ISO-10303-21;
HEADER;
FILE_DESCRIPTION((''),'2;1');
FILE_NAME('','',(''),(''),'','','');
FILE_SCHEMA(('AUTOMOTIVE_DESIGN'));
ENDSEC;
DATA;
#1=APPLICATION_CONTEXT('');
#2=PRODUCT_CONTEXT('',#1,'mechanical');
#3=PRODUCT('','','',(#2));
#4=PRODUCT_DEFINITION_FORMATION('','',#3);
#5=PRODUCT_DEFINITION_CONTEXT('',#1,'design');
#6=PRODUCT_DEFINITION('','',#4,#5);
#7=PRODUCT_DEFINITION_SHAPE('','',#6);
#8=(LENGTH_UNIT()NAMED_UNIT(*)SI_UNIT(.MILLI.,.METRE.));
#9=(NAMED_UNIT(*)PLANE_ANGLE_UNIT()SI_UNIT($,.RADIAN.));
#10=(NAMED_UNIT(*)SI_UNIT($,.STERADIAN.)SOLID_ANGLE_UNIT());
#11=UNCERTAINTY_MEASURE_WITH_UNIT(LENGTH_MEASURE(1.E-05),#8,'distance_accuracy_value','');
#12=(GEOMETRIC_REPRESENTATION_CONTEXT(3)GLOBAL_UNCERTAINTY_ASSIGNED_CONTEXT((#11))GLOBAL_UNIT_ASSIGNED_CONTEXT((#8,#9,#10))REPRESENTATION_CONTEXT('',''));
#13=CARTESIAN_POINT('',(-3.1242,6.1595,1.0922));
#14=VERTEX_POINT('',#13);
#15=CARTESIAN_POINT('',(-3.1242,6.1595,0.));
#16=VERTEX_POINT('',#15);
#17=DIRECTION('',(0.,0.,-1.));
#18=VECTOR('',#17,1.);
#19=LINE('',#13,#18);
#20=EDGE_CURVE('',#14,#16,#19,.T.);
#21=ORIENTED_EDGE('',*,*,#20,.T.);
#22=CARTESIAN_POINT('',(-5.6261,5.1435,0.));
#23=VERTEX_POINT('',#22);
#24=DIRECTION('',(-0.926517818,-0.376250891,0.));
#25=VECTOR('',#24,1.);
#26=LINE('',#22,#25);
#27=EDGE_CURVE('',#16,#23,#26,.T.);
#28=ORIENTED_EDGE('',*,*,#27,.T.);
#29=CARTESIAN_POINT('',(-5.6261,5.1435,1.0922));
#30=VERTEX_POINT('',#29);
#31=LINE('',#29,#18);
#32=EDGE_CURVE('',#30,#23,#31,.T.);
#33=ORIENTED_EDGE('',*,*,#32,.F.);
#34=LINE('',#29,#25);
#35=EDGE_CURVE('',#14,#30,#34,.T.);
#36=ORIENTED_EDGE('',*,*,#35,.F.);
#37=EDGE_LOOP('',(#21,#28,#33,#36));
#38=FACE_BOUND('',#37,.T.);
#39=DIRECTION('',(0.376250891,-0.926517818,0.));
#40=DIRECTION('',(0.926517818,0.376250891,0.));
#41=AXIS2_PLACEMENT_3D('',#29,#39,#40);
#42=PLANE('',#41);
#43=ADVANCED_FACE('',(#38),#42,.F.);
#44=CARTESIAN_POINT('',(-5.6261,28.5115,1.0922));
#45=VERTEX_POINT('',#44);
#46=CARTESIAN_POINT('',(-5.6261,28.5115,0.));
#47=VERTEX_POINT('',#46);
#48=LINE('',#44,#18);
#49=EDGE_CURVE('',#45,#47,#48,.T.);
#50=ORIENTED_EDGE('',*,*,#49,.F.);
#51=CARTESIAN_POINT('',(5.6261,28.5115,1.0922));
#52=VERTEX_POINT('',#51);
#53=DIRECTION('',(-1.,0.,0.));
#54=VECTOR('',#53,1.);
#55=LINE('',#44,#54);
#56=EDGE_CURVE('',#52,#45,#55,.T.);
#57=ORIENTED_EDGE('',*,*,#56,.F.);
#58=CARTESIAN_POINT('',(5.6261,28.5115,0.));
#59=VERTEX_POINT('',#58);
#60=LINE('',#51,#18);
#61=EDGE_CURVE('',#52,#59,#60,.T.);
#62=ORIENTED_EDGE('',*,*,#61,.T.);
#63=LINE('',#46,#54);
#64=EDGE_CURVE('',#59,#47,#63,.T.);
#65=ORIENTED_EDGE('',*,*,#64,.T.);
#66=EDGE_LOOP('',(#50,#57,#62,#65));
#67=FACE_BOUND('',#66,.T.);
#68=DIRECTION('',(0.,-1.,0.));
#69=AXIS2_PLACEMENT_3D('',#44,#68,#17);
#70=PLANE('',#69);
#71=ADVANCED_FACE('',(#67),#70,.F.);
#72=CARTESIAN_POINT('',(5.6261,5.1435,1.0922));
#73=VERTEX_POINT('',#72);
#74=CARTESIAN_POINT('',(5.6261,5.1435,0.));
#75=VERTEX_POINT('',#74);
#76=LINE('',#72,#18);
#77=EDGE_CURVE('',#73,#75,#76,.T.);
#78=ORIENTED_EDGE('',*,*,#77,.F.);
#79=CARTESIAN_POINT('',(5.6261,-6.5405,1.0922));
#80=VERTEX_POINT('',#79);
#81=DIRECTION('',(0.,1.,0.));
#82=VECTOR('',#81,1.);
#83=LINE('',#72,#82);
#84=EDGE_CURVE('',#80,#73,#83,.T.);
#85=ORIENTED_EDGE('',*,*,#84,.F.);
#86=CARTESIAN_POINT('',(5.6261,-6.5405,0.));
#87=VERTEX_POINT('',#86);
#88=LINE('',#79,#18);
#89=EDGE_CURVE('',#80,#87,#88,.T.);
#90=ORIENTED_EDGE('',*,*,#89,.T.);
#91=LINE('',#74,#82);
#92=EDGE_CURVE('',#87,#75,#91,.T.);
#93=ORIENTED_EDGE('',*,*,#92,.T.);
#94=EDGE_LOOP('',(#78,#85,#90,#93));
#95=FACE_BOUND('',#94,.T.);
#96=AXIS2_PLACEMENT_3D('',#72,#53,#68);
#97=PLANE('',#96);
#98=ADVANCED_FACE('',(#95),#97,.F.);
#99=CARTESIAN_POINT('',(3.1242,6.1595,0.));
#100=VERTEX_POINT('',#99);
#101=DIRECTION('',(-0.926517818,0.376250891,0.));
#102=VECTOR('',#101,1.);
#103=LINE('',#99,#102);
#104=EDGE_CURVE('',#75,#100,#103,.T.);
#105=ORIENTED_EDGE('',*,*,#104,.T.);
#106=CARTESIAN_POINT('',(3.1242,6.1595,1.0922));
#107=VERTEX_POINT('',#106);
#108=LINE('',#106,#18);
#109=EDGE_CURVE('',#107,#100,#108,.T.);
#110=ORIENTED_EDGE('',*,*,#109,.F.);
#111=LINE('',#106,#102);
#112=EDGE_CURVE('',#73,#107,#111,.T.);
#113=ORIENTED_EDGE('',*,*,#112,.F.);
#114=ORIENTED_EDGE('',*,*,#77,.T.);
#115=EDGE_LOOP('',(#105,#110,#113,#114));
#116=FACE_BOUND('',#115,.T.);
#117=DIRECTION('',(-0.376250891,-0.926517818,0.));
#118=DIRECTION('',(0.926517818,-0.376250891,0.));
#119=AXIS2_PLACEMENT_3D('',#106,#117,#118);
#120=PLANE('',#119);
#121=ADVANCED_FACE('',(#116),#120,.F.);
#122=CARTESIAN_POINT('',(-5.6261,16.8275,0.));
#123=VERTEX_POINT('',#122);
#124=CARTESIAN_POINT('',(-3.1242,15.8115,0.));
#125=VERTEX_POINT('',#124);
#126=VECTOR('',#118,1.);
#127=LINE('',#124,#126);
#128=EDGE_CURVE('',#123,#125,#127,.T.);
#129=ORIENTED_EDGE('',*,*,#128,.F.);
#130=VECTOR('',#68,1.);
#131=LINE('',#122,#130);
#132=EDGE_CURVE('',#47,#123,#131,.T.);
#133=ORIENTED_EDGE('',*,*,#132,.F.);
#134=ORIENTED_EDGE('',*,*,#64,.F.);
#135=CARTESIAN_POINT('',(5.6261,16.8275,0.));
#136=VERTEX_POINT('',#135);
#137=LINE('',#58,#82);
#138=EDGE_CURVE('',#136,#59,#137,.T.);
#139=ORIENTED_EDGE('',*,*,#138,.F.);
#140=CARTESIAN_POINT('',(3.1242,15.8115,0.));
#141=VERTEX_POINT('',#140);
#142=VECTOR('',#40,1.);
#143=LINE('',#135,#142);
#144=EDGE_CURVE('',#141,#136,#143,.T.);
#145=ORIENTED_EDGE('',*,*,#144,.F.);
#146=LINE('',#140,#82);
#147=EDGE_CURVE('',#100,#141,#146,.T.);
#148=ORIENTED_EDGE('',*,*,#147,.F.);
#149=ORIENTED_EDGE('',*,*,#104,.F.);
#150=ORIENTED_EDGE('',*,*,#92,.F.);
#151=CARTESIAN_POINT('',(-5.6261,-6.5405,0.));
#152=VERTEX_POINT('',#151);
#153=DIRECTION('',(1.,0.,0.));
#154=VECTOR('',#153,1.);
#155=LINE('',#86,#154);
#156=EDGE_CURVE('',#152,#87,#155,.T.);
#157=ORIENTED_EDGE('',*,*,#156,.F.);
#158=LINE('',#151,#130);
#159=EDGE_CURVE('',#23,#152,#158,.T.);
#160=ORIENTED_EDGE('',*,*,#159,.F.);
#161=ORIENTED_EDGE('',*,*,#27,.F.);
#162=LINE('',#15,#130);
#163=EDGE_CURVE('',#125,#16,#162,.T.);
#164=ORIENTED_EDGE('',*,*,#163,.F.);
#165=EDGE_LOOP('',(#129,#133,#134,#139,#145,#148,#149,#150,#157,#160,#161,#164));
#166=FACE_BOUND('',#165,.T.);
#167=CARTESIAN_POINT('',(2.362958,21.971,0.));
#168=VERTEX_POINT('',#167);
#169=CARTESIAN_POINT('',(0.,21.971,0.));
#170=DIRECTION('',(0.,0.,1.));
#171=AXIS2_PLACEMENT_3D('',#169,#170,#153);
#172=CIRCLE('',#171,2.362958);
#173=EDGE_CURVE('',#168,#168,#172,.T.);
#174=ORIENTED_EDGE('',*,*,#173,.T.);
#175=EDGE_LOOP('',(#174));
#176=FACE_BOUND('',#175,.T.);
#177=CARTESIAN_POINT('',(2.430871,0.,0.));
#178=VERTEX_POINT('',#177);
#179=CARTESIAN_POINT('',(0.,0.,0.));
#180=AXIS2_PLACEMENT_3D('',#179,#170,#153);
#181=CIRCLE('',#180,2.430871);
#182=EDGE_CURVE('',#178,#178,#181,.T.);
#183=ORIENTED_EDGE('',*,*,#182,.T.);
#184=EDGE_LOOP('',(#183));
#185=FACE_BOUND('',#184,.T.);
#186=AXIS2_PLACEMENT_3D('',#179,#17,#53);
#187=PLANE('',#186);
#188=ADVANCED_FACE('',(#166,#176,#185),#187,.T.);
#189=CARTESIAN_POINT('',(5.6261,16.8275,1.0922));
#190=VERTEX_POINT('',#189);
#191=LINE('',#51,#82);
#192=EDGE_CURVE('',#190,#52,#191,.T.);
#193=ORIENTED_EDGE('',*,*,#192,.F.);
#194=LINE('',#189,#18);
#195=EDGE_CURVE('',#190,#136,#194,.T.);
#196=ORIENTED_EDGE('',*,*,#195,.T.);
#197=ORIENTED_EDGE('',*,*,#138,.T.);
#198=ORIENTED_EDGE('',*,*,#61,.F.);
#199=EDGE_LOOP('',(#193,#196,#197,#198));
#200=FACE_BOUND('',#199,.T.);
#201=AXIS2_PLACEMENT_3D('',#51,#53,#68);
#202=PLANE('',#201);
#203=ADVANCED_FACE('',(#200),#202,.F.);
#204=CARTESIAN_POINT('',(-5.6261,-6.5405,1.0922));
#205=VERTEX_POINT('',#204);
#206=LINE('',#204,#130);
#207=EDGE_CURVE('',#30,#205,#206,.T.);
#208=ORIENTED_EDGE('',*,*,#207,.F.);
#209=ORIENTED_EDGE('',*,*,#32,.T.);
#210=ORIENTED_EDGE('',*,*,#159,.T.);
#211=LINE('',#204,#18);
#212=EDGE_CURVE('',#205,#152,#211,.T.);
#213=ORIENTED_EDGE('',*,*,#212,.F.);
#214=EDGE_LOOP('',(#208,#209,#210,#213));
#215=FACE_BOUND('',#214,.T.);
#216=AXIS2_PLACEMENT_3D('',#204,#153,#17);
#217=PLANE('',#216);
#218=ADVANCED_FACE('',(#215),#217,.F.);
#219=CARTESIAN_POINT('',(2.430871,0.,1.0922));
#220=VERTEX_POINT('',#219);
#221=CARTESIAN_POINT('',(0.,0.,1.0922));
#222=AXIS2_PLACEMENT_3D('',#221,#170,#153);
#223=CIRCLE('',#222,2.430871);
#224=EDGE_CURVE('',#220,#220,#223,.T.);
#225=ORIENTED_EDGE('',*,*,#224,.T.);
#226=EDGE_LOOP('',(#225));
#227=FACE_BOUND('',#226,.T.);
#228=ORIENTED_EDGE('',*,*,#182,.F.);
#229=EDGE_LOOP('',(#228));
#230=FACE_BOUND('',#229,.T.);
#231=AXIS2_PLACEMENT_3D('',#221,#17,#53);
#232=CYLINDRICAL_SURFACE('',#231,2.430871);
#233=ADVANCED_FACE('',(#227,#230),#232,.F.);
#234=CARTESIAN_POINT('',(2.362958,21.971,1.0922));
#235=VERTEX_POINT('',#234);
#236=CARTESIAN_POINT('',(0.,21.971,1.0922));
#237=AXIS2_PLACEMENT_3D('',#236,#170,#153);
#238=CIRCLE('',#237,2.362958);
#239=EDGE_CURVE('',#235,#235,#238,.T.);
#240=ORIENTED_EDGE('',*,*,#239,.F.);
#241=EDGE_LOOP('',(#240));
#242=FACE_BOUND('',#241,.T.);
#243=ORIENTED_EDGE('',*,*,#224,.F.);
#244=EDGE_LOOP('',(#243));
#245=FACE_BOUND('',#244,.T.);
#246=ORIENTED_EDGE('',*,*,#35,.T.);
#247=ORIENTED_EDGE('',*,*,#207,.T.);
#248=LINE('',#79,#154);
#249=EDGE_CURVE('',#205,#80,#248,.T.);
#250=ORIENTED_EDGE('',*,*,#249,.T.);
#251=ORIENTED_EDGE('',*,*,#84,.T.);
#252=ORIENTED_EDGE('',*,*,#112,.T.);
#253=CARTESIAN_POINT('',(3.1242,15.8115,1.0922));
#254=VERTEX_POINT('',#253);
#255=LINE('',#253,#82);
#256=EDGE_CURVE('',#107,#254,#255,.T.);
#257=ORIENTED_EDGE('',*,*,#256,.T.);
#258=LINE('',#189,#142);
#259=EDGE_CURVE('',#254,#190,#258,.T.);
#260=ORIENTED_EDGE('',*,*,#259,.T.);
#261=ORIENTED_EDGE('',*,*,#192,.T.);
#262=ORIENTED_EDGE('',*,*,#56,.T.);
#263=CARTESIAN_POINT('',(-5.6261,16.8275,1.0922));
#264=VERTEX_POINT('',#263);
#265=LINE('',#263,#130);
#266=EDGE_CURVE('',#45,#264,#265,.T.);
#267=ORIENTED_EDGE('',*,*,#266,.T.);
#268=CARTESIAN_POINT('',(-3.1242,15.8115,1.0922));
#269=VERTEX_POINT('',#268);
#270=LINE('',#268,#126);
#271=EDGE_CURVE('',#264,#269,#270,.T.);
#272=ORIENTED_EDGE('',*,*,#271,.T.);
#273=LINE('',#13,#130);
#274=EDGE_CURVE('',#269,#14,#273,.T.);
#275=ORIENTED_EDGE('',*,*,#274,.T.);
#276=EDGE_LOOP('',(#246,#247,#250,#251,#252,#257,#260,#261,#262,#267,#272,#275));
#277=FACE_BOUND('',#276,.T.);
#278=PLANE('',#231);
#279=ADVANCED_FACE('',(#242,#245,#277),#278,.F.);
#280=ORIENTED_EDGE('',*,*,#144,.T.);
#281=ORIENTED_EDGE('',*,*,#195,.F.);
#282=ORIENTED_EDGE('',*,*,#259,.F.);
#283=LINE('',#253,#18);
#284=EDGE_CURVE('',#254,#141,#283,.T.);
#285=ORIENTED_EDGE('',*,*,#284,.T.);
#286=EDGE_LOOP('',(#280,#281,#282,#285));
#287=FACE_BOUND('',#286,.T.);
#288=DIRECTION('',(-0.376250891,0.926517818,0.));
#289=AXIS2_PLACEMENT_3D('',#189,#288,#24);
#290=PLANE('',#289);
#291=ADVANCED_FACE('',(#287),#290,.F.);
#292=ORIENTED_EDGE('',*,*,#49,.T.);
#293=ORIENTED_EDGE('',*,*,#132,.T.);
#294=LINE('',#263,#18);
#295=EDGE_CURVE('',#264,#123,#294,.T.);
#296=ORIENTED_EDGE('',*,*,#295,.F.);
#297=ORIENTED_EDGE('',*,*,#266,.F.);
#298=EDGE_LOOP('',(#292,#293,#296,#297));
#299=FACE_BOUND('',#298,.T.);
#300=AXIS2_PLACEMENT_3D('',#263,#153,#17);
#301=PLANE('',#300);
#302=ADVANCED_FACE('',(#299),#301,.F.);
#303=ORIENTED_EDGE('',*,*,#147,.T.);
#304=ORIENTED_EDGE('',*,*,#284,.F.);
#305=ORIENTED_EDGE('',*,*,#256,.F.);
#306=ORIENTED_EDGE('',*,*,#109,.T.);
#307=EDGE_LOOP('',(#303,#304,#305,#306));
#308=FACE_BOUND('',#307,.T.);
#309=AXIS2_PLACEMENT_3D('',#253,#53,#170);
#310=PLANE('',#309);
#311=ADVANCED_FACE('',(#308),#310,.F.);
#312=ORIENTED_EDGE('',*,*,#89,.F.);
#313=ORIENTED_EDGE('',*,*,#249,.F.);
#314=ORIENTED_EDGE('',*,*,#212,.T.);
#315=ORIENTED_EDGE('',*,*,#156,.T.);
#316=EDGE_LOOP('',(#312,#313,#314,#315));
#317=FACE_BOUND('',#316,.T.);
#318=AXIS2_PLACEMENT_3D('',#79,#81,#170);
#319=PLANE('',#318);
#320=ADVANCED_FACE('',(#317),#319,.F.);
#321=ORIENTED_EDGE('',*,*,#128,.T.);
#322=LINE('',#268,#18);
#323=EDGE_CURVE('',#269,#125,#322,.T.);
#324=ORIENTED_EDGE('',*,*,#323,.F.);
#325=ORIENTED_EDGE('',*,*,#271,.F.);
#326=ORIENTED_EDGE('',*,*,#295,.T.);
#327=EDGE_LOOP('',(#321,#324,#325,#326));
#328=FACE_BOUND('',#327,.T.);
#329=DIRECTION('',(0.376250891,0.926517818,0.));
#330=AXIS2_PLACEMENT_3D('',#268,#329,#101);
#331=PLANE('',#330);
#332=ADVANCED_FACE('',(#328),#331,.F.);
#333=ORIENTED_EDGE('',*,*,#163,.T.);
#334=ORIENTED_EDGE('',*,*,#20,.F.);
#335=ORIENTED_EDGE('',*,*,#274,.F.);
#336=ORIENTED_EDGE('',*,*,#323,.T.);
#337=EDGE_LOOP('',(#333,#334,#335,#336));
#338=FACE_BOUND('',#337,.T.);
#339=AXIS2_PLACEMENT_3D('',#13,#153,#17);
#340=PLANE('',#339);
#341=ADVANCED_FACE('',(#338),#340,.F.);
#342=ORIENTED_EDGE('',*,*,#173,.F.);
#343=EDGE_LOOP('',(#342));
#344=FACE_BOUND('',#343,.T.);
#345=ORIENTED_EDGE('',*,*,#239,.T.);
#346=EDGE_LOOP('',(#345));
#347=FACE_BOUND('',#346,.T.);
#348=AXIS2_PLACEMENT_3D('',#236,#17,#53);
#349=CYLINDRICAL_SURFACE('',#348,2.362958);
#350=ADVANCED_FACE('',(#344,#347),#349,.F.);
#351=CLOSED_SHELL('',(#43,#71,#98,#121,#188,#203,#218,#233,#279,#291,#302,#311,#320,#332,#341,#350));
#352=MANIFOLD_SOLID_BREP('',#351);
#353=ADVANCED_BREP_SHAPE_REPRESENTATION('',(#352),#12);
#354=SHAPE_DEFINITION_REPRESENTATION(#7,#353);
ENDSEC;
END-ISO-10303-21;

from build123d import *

# Parameters (mm, degrees)
SKETCH1_R           = 2.430870735
SKETCH1_R_2         = 2.36295848
BOSS_EXTRUDE1_DEPTH = 1.0922


with BuildPart() as part:
    # Sketch1 → Boss-Extrude1 (new body)
    with BuildSketch(Plane.XY):
        Polygon((-5.6261, 28.5115), (5.6261, 28.5115), (5.6261, 16.8275), (3.1242, 15.8115), (3.1242, 6.1595), (5.6261, 5.1435), (5.6261, -6.5405), (-5.6261, -6.5405), (-5.6261, 5.1435), (-3.1242, 6.1595), (-3.1242, 15.8115), (-5.6261, 16.8275), align=None)
        Circle(SKETCH1_R, mode=Mode.SUBTRACT)
        with Locations((0, 21.971)):
            Circle(SKETCH1_R_2, mode=Mode.SUBTRACT)
    extrude(amount=BOSS_EXTRUDE1_DEPTH)


solid = part.part
